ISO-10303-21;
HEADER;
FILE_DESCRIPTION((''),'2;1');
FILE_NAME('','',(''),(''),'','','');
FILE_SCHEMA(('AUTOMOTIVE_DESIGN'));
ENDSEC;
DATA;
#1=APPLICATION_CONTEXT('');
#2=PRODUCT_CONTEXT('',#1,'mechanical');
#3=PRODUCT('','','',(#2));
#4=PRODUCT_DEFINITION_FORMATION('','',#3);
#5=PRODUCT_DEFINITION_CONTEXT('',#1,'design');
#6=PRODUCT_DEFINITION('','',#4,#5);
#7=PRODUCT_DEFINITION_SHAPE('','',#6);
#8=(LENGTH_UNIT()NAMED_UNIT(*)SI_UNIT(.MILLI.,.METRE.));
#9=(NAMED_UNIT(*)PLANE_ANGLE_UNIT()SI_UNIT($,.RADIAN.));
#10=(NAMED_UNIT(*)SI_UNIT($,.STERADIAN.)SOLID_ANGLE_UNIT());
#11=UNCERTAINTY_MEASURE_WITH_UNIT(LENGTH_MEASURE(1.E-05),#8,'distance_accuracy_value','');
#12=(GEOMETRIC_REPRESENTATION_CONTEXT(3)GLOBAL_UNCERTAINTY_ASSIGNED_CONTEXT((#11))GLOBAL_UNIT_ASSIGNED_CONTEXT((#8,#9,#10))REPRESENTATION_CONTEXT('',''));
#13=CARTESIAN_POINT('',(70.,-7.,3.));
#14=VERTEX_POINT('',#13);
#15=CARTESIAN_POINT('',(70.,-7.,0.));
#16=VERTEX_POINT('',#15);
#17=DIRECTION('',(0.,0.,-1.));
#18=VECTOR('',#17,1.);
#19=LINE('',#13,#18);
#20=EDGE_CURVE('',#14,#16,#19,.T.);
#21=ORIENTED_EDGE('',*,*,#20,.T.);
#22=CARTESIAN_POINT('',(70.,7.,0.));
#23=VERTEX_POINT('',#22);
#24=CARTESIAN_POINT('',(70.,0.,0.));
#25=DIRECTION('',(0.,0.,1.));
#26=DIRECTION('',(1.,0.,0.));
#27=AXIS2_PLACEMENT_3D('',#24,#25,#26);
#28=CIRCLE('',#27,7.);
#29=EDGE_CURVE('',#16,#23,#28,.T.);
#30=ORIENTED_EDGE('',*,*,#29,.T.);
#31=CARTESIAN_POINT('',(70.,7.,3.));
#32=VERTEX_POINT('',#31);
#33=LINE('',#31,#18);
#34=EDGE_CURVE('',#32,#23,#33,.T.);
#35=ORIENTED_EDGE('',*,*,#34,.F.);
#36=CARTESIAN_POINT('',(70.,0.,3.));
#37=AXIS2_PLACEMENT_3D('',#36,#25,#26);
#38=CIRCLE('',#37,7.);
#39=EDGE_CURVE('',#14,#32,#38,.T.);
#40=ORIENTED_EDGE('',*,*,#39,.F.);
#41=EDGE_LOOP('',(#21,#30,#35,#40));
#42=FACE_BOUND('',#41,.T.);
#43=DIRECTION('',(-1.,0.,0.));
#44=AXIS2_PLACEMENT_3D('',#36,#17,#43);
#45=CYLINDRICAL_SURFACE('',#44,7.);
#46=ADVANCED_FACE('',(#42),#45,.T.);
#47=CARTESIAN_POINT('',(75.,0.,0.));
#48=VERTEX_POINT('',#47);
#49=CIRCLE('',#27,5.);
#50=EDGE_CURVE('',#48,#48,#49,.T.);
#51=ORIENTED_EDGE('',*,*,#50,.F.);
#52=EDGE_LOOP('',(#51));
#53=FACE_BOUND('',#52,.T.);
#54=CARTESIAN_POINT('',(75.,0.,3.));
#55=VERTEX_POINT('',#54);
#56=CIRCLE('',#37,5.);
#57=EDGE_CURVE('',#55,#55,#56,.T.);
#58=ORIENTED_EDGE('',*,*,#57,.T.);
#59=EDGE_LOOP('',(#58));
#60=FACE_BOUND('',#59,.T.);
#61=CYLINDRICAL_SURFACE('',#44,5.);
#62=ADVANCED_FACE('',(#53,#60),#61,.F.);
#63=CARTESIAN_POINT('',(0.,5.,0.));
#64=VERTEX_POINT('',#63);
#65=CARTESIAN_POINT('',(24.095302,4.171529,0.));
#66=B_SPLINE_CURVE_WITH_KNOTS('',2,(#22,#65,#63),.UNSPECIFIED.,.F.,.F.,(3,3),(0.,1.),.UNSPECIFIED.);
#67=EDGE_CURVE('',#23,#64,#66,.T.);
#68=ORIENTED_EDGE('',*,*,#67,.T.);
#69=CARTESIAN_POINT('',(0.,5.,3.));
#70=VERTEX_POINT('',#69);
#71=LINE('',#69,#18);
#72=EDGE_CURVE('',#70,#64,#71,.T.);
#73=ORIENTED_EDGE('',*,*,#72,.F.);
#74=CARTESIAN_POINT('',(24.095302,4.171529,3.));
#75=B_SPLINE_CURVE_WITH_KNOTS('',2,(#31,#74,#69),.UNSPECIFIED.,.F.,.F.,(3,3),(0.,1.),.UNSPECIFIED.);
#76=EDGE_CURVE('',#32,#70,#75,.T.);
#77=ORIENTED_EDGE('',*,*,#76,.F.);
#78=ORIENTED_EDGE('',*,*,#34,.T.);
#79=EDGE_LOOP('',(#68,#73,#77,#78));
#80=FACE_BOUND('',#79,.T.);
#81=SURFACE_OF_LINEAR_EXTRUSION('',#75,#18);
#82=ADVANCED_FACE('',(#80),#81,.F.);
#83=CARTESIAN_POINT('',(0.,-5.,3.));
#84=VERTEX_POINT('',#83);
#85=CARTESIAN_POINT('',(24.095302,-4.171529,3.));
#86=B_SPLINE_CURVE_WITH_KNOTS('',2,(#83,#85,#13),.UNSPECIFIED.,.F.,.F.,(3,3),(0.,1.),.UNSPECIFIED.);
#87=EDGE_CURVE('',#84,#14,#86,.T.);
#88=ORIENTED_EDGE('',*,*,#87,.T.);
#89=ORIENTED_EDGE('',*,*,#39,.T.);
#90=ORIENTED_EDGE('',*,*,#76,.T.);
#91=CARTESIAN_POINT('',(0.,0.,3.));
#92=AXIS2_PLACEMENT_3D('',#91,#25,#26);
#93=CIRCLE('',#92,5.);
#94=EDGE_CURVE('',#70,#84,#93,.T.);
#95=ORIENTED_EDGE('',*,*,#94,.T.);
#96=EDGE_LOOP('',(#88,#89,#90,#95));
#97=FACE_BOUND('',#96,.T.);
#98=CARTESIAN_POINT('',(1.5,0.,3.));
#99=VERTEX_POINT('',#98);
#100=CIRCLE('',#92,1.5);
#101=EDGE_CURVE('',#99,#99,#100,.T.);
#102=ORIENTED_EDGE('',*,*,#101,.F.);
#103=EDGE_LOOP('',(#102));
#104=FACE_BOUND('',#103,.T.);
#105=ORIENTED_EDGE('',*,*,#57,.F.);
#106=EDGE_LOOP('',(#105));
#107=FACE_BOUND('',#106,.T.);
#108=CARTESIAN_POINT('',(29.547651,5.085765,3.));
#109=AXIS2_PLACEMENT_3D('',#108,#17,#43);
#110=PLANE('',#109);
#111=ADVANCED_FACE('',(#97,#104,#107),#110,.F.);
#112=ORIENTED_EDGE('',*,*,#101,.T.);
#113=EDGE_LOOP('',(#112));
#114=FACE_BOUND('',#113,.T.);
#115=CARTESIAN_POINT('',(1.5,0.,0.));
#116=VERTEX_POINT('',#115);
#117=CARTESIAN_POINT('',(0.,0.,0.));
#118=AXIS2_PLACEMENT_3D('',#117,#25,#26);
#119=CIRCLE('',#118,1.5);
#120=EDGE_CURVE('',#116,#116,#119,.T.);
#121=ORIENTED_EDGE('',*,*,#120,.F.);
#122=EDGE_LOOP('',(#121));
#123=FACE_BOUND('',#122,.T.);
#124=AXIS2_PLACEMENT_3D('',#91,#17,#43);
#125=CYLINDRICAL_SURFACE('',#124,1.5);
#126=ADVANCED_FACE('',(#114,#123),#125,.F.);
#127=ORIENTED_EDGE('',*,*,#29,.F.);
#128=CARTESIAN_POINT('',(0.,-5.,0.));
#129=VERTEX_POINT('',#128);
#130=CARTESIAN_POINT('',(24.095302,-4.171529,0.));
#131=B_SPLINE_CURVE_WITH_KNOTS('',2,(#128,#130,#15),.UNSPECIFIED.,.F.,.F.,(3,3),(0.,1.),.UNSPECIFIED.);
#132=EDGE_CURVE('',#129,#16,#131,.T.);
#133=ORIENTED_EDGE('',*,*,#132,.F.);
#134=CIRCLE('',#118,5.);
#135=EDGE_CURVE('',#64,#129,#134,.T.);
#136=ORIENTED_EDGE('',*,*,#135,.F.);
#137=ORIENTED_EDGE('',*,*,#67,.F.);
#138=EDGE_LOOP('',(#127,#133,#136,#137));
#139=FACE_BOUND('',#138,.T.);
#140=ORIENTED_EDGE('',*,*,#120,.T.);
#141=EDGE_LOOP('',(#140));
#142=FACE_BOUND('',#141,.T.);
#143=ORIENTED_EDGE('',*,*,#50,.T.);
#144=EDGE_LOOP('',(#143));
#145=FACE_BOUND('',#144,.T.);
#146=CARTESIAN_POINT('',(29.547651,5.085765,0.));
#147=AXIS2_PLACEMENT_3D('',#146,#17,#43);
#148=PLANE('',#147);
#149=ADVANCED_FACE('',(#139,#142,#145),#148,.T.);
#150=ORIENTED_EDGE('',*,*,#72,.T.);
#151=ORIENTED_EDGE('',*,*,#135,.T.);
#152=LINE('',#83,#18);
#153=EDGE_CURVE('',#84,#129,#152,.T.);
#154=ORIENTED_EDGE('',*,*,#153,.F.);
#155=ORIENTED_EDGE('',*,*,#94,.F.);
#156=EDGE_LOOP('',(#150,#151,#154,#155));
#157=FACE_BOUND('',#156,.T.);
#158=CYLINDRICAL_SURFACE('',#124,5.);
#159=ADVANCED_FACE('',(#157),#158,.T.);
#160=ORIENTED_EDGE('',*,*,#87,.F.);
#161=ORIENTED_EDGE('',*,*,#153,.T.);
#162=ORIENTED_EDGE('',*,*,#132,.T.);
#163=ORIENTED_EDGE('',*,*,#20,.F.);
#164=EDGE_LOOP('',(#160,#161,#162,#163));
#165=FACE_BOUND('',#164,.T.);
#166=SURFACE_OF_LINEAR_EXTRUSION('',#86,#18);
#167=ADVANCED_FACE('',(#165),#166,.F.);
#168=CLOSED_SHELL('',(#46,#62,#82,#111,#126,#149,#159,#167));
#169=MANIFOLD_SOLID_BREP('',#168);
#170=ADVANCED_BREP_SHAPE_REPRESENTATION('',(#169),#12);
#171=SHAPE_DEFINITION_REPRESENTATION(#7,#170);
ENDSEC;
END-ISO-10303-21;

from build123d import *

# Parameters (mm, degrees)
SKETCH_1_R      = 5
SKETCH_1_R_2    = 1.5
EXTRUDE_2_DEPTH = 3


with BuildPart() as part:
    # 草图1 → 凸台-拉伸2 (new body)
    with BuildSketch(Plane.XY):
        with BuildLine():
            ThreePointArc((0, 5), (-5, 0), (0, -5))
            add(Edge.make_bspline(
                [(0, -5), (24.095302235, -4.17152905), (70, -7)],
                knots=[0, 0, 0, 1, 1, 1], degree=2))
            ThreePointArc((70, -7), (77, 0), (70, 7))
            add(Edge.make_bspline(
                [(0, 5), (24.095302235, 4.17152905), (70, 7)],
                knots=[0, 0, 0, 1, 1, 1], degree=2))
        make_face()
        with Locations((70, 0)):
            Circle(SKETCH_1_R, mode=Mode.SUBTRACT)
        Circle(SKETCH_1_R_2, mode=Mode.SUBTRACT)
    extrude(amount=EXTRUDE_2_DEPTH)


solid = part.part
